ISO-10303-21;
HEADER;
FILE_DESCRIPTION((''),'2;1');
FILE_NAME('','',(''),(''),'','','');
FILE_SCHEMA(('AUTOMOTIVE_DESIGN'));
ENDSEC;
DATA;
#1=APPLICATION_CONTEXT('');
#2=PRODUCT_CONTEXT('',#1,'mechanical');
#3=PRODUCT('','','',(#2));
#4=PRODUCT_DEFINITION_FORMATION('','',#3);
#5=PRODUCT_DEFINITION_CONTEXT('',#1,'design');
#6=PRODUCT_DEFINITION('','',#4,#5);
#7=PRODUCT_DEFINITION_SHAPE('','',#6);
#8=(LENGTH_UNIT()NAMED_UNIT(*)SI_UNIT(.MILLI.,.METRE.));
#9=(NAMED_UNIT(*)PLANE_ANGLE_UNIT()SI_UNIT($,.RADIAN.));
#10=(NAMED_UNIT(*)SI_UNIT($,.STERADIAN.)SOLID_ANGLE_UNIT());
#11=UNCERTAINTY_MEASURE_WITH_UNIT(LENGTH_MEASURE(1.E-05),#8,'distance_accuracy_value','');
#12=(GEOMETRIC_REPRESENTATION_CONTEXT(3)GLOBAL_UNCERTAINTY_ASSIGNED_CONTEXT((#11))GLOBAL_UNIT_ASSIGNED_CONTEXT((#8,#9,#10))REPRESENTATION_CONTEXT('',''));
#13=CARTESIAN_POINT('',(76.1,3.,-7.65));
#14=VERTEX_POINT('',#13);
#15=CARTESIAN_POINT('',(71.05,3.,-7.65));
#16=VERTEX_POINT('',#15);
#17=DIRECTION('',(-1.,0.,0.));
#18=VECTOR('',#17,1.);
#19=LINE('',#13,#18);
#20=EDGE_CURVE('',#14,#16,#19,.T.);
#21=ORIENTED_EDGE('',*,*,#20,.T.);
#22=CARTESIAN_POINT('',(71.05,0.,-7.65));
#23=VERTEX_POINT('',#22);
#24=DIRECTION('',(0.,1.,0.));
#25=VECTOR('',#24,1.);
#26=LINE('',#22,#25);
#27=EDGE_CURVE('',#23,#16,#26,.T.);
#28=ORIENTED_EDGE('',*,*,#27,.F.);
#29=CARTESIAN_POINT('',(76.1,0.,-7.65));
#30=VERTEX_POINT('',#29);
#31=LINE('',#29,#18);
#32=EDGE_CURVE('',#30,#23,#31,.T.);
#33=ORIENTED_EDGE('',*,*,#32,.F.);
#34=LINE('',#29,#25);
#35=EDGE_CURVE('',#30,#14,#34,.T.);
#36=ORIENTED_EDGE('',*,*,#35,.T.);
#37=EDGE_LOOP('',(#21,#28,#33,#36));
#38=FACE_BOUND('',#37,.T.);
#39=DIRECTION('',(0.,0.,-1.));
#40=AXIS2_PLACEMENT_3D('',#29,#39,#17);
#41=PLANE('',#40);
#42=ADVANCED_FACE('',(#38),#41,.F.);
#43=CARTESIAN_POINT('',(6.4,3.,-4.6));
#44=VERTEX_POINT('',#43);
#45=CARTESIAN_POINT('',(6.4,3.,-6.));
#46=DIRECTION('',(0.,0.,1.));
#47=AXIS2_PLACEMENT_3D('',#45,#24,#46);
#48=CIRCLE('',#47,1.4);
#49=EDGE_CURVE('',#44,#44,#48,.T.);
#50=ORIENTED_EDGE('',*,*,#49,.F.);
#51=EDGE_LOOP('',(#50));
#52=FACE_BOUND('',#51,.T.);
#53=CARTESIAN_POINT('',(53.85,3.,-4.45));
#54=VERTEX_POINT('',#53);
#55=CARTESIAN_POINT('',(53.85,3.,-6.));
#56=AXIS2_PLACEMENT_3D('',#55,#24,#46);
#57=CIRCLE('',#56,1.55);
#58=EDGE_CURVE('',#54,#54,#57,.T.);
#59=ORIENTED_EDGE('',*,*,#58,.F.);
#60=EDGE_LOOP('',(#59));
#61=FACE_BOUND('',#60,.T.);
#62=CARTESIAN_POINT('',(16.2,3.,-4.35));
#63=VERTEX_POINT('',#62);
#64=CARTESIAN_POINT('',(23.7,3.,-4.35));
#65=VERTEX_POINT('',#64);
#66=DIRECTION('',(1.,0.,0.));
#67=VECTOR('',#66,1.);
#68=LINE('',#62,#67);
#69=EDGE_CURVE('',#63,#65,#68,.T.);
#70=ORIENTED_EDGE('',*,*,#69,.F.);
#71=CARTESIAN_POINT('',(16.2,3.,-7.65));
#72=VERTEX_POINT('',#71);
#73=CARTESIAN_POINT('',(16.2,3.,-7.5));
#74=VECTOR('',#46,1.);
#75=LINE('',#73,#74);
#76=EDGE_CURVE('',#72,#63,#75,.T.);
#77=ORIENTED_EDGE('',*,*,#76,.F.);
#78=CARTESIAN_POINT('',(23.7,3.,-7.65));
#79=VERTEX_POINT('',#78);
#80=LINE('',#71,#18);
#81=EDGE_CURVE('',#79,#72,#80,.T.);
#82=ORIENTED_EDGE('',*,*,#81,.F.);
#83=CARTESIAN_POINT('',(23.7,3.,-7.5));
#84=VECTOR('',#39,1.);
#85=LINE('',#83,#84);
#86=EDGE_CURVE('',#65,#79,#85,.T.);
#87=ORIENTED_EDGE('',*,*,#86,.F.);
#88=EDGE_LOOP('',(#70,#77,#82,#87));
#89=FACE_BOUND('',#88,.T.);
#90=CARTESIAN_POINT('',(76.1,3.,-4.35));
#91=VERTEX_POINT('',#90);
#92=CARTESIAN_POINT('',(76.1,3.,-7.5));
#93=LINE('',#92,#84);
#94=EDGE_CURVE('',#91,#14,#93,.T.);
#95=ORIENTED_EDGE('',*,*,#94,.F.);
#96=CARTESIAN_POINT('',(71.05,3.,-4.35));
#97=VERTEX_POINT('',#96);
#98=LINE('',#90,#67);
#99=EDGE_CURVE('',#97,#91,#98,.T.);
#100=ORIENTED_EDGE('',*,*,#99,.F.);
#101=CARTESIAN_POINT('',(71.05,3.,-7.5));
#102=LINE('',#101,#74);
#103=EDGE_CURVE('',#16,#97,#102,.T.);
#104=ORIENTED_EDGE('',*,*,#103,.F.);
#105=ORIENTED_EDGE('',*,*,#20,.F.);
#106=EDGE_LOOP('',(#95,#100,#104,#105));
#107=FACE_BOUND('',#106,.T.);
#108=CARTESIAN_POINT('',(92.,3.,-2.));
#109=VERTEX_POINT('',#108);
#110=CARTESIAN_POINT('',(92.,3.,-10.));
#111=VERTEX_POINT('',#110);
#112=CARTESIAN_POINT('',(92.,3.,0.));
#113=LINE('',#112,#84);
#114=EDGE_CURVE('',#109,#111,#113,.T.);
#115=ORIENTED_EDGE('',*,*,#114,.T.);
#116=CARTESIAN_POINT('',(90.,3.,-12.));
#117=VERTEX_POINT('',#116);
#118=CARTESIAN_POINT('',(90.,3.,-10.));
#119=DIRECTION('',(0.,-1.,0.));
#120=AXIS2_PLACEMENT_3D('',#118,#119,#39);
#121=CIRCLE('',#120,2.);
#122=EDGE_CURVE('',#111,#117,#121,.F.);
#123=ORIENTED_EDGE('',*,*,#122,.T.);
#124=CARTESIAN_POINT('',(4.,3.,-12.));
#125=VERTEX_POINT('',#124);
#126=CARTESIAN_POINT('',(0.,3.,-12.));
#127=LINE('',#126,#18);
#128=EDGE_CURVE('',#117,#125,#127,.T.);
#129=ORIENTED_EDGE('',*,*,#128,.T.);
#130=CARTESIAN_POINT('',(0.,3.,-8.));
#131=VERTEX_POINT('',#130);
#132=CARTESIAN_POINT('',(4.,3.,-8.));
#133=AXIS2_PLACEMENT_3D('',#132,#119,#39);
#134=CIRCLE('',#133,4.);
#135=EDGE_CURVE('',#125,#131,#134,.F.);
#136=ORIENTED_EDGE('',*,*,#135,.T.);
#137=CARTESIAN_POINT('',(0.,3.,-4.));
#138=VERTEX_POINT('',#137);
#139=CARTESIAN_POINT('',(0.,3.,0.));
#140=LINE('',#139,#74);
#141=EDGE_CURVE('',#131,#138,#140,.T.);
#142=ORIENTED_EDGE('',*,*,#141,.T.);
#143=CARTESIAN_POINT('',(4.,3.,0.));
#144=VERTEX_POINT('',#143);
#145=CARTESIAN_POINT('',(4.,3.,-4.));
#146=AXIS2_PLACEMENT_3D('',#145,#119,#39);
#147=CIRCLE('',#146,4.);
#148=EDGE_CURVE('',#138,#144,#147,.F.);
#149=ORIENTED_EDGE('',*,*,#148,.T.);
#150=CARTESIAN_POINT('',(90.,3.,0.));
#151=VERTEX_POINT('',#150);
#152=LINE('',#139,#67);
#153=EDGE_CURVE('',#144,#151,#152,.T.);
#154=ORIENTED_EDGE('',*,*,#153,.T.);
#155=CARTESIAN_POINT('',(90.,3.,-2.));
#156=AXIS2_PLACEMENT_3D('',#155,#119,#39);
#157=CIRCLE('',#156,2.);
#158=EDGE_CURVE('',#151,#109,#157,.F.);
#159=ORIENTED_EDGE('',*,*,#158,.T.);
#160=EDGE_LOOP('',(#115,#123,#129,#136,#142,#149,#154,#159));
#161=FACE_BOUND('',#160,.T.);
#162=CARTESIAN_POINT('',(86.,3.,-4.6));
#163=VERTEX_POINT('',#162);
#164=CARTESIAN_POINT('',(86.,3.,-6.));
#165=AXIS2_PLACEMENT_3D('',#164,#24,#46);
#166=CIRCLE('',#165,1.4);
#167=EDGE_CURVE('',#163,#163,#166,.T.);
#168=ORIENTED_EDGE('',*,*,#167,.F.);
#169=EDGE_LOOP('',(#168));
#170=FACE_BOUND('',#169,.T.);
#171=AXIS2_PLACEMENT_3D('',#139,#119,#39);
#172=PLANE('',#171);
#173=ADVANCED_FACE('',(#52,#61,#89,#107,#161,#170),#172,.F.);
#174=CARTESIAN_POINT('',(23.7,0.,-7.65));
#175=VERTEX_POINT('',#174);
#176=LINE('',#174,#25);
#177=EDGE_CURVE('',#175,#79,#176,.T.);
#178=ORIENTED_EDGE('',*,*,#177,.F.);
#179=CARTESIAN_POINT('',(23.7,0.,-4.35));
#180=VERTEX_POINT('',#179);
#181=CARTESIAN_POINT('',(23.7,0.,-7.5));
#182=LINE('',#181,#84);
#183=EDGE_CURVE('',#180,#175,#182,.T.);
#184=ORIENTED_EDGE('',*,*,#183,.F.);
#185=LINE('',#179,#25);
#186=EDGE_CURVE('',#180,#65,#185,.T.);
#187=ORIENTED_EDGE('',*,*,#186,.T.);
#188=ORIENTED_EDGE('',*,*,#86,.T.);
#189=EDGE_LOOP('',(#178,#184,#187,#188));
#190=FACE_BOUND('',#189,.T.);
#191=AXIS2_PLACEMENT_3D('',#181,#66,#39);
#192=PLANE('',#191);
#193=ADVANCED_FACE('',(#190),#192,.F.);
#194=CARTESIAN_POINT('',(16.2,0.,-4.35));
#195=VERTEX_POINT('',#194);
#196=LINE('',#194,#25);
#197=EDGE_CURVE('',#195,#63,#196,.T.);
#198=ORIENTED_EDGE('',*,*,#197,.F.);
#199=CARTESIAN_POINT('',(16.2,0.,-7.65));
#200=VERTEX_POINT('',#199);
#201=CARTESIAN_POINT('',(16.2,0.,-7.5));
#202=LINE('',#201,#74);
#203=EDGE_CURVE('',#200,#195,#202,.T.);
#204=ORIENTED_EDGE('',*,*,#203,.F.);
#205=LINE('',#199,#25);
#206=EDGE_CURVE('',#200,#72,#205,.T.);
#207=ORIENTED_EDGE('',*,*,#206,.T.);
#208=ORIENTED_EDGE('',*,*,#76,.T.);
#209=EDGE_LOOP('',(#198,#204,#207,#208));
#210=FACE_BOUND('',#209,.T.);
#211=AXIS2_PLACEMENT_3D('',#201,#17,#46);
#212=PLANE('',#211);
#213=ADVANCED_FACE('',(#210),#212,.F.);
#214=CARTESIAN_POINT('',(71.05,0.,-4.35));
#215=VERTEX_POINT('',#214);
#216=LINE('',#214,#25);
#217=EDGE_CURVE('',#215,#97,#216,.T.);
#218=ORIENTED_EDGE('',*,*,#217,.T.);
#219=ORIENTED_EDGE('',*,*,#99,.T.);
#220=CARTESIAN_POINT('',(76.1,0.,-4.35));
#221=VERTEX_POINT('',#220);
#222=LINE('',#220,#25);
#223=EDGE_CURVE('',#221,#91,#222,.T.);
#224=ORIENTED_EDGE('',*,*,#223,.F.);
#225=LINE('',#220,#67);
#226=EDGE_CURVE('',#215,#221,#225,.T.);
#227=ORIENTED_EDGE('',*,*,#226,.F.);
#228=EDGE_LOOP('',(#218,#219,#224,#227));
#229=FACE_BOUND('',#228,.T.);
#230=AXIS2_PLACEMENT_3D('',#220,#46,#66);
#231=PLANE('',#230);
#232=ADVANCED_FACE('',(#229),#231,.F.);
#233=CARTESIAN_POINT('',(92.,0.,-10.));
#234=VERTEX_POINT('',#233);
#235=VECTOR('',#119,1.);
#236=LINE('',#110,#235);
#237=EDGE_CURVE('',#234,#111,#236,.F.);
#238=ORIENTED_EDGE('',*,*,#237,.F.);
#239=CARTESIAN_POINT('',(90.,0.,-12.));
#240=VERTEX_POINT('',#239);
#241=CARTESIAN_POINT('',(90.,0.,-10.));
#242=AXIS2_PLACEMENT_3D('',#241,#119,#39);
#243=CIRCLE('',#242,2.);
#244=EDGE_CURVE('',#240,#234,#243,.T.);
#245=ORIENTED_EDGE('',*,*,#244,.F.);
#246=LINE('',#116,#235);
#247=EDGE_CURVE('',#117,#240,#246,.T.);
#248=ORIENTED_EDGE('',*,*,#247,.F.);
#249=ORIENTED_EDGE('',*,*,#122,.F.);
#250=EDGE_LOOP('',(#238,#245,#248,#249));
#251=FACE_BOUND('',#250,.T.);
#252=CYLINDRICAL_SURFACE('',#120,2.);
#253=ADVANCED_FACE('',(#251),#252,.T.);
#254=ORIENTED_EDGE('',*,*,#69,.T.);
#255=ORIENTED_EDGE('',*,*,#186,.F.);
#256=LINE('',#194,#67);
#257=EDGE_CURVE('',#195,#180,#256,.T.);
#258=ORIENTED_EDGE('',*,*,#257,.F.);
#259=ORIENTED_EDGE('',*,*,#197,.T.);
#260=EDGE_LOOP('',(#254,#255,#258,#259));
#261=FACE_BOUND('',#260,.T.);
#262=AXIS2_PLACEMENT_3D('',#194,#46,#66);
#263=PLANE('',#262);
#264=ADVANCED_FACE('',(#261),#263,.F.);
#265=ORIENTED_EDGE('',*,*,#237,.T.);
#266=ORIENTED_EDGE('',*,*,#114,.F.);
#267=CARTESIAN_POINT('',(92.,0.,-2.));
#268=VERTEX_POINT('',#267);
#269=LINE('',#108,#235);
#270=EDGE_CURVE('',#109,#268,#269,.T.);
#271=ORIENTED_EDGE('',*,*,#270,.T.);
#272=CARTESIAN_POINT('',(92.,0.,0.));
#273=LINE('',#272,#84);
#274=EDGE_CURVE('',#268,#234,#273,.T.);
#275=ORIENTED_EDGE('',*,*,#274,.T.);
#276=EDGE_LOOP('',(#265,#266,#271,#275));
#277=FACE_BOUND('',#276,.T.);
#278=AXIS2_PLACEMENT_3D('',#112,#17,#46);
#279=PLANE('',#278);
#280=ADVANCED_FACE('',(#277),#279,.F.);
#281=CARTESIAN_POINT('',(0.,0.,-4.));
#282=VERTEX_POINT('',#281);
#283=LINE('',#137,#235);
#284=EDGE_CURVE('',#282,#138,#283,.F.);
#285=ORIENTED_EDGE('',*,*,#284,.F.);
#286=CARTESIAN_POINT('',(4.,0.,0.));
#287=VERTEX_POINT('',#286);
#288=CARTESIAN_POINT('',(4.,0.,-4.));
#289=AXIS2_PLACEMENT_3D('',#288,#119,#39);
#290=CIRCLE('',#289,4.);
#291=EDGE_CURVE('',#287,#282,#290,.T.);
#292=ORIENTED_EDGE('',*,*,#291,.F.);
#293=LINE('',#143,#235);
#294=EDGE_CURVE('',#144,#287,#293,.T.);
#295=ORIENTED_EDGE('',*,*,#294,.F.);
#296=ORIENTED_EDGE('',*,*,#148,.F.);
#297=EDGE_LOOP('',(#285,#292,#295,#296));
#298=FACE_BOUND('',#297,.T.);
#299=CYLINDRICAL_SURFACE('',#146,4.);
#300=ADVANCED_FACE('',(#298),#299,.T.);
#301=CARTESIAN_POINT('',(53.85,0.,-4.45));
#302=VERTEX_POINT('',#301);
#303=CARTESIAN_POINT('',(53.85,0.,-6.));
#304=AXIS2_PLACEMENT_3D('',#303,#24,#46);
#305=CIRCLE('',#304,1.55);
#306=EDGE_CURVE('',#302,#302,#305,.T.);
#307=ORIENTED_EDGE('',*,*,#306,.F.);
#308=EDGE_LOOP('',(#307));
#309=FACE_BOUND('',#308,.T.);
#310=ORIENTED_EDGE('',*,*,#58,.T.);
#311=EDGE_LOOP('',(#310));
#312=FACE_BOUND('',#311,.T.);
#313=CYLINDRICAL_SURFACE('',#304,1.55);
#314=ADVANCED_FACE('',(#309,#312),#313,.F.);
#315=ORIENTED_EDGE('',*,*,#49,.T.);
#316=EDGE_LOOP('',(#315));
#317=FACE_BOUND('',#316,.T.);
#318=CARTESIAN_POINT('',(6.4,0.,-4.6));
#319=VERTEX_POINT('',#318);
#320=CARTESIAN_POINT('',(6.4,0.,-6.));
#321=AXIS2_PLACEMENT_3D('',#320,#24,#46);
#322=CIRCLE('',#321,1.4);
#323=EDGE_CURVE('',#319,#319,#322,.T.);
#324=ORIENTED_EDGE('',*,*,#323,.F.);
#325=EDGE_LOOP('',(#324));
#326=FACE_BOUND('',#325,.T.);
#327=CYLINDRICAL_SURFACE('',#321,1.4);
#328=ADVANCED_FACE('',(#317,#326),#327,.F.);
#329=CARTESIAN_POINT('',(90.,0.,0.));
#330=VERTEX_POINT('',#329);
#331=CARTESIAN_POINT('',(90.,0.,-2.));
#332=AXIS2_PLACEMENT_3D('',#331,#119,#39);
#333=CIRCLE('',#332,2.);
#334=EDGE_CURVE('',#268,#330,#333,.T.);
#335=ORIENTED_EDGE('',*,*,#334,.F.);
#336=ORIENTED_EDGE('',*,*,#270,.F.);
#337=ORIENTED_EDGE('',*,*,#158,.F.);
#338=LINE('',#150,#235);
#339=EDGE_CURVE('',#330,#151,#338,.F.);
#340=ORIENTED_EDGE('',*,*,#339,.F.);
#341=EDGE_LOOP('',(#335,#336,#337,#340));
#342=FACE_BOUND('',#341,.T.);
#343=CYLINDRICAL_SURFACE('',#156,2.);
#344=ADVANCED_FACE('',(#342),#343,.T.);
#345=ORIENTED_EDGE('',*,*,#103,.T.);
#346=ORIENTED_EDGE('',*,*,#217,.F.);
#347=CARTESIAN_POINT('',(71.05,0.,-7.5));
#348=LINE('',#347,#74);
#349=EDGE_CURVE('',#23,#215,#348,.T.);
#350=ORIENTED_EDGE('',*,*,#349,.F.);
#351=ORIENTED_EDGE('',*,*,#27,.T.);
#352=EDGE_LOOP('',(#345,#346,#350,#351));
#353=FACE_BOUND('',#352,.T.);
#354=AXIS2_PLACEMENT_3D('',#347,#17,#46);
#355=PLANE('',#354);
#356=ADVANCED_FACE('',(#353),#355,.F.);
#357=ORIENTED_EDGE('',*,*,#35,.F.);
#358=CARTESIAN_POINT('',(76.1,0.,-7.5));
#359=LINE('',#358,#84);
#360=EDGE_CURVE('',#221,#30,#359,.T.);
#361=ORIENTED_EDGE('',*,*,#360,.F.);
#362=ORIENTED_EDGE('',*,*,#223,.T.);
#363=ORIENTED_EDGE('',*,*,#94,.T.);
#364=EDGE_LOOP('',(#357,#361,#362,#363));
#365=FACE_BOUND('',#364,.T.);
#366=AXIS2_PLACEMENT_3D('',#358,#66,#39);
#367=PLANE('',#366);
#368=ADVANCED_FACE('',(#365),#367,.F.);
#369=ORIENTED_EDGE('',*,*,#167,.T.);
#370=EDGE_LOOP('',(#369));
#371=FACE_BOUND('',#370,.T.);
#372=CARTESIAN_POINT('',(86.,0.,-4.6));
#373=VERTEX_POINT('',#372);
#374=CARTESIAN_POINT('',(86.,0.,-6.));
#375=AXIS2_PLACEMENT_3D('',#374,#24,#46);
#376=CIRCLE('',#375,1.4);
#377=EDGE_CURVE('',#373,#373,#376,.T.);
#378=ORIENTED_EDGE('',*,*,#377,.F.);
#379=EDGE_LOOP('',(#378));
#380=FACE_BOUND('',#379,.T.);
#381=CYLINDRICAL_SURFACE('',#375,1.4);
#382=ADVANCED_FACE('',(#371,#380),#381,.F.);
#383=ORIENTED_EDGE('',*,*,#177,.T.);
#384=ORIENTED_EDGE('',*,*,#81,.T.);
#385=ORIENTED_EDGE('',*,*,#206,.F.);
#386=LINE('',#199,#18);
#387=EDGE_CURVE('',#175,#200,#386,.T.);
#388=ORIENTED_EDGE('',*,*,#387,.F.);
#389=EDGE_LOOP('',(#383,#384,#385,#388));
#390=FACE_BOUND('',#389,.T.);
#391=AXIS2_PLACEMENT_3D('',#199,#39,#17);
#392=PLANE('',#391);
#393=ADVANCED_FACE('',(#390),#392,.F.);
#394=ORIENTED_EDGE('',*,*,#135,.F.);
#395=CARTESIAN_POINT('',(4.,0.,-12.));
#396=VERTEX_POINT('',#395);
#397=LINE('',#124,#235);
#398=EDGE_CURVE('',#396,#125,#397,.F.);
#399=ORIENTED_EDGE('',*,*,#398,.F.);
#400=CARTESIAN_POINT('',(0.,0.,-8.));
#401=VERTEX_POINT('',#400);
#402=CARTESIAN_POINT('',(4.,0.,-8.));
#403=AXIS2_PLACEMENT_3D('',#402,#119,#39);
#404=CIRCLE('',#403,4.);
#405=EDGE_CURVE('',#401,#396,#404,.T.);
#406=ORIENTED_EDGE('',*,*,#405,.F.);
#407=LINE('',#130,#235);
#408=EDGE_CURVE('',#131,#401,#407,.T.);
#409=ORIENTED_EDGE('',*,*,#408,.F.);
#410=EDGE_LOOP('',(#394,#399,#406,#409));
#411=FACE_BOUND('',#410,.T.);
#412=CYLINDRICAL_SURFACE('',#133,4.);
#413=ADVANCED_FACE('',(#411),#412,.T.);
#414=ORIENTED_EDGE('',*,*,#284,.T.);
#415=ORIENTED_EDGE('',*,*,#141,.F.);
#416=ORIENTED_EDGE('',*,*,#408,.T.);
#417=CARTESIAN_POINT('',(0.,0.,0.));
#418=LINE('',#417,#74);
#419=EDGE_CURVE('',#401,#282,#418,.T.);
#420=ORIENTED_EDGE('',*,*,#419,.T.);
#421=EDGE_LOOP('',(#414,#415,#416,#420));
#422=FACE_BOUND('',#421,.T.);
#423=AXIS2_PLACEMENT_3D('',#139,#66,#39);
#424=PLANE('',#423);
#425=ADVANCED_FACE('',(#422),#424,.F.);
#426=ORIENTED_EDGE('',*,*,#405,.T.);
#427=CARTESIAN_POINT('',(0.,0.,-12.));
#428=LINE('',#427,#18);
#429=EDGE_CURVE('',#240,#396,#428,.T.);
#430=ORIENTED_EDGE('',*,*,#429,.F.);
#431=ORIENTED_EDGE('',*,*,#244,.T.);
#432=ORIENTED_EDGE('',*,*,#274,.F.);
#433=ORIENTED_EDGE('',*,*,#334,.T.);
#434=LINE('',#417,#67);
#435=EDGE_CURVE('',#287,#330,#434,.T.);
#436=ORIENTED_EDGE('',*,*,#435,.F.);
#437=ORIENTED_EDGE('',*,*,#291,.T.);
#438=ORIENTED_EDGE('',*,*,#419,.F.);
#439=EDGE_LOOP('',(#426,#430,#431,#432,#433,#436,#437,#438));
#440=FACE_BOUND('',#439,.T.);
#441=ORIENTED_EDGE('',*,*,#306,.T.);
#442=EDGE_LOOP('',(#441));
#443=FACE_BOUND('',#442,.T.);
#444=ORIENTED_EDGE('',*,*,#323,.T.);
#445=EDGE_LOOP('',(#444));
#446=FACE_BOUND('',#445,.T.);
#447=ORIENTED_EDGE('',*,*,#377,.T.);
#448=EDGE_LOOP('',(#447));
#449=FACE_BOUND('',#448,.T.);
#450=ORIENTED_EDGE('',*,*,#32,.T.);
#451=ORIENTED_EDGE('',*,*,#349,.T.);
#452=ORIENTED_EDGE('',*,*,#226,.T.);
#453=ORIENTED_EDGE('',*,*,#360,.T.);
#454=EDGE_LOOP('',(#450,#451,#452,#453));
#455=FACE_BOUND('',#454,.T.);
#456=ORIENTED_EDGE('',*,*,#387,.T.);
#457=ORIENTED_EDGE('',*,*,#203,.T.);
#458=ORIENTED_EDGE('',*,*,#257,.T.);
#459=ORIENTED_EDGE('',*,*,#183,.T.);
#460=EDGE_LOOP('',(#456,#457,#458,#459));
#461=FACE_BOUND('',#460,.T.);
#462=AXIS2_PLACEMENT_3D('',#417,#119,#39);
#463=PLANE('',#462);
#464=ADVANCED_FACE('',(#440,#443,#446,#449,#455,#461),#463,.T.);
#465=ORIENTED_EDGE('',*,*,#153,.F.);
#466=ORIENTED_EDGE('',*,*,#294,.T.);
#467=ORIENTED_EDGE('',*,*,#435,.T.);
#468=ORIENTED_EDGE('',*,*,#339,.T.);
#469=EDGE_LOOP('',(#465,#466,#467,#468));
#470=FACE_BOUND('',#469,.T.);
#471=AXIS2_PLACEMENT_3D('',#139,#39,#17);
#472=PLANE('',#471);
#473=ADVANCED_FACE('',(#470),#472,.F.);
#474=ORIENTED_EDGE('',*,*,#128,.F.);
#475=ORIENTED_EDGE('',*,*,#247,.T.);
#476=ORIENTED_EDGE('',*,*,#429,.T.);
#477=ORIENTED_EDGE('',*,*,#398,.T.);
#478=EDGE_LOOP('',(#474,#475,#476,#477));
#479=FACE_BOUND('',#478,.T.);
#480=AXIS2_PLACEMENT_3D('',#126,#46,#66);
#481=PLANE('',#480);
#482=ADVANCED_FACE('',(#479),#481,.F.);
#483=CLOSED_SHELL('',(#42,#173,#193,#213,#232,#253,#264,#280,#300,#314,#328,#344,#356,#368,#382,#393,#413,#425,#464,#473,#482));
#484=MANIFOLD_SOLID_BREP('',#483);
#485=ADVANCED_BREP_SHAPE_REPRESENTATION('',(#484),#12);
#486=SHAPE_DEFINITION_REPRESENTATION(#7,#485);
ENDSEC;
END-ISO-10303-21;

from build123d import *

# Parameters (mm, degrees)
SKETCH1_W           = 92
SKETCH1_H           = 12
BOSS_EXTRUDE1_DEPTH = 3
FILLET1_R           = 4
FILLET2_R           = 2
SKETCH2_R           = 1.4
SKETCH2_R_2         = 1.55
SKETCH2_W           = 7.5
SKETCH2_H           = 3
SKETCH2_W_2         = 5.05
CUT_EXTRUDE1_DEPTH  = 4
SKETCH3_W           = 7.5
SKETCH3_H           = 0.15
SKETCH3_W_2         = 5.05
CUT_EXTRUDE2_DEPTH  = 4


with BuildPart() as part:
    # Sketch1 → Boss-Extrude1 (new body)
    with BuildSketch(Plane(origin=(0, 0, 0), x_dir=(1, 0, 0), z_dir=(0, 1, 0))):
        with Locations((46, 6)):
            Rectangle(SKETCH1_W, SKETCH1_H)
    extrude(amount=BOSS_EXTRUDE1_DEPTH)

    # Fillet1
    fillet1_edges = [part.edges().sort_by_distance(p)[0] for p in [
        (0, 1.5, -12),
        (0, 1.5, 0),
    ]]
    fillet(fillet1_edges, radius=FILLET1_R)

    # Fillet2
    fillet2_edges = [part.edges().sort_by_distance(p)[0] for p in [
        (92, 1.5, -12),
        (92, 1.5, 0),
    ]]
    fillet(fillet2_edges, radius=FILLET2_R)

    # Sketch2 → Cut-Extrude1 (cut, through all)
    with BuildSketch(Plane(origin=(0, 3, 0), x_dir=(1, 0, 0), z_dir=(0, 1, 0))):
        with Locations((6.4, 6)):
            Circle(SKETCH2_R)
        with Locations((53.85, 6)):
            Circle(SKETCH2_R_2)
        with Locations((86, 6)):
            Circle(SKETCH2_R)
        with Locations((19.95, 6)):
            Rectangle(SKETCH2_W, SKETCH2_H)
        with Locations((73.575, 6)):
            Rectangle(SKETCH2_W_2, SKETCH2_H)
    extrude(amount=-CUT_EXTRUDE1_DEPTH, mode=Mode.SUBTRACT)

    # Sketch3 → Cut-Extrude2 (cut, through all)
    with BuildSketch(Plane(origin=(0, 3, 0), x_dir=(1, 0, 0), z_dir=(0, 1, 0))):
        with Locations((19.95, 7.575)):
            Rectangle(SKETCH3_W, SKETCH3_H)
        with Locations((19.95, 4.425)):
            Rectangle(SKETCH3_W, SKETCH3_H)
        with Locations((73.575, 7.575)):
            Rectangle(SKETCH3_W_2, SKETCH3_H)
        with Locations((73.575, 4.425)):
            Rectangle(SKETCH3_W_2, SKETCH3_H)
    extrude(amount=-CUT_EXTRUDE2_DEPTH, mode=Mode.SUBTRACT)


solid = part.part
